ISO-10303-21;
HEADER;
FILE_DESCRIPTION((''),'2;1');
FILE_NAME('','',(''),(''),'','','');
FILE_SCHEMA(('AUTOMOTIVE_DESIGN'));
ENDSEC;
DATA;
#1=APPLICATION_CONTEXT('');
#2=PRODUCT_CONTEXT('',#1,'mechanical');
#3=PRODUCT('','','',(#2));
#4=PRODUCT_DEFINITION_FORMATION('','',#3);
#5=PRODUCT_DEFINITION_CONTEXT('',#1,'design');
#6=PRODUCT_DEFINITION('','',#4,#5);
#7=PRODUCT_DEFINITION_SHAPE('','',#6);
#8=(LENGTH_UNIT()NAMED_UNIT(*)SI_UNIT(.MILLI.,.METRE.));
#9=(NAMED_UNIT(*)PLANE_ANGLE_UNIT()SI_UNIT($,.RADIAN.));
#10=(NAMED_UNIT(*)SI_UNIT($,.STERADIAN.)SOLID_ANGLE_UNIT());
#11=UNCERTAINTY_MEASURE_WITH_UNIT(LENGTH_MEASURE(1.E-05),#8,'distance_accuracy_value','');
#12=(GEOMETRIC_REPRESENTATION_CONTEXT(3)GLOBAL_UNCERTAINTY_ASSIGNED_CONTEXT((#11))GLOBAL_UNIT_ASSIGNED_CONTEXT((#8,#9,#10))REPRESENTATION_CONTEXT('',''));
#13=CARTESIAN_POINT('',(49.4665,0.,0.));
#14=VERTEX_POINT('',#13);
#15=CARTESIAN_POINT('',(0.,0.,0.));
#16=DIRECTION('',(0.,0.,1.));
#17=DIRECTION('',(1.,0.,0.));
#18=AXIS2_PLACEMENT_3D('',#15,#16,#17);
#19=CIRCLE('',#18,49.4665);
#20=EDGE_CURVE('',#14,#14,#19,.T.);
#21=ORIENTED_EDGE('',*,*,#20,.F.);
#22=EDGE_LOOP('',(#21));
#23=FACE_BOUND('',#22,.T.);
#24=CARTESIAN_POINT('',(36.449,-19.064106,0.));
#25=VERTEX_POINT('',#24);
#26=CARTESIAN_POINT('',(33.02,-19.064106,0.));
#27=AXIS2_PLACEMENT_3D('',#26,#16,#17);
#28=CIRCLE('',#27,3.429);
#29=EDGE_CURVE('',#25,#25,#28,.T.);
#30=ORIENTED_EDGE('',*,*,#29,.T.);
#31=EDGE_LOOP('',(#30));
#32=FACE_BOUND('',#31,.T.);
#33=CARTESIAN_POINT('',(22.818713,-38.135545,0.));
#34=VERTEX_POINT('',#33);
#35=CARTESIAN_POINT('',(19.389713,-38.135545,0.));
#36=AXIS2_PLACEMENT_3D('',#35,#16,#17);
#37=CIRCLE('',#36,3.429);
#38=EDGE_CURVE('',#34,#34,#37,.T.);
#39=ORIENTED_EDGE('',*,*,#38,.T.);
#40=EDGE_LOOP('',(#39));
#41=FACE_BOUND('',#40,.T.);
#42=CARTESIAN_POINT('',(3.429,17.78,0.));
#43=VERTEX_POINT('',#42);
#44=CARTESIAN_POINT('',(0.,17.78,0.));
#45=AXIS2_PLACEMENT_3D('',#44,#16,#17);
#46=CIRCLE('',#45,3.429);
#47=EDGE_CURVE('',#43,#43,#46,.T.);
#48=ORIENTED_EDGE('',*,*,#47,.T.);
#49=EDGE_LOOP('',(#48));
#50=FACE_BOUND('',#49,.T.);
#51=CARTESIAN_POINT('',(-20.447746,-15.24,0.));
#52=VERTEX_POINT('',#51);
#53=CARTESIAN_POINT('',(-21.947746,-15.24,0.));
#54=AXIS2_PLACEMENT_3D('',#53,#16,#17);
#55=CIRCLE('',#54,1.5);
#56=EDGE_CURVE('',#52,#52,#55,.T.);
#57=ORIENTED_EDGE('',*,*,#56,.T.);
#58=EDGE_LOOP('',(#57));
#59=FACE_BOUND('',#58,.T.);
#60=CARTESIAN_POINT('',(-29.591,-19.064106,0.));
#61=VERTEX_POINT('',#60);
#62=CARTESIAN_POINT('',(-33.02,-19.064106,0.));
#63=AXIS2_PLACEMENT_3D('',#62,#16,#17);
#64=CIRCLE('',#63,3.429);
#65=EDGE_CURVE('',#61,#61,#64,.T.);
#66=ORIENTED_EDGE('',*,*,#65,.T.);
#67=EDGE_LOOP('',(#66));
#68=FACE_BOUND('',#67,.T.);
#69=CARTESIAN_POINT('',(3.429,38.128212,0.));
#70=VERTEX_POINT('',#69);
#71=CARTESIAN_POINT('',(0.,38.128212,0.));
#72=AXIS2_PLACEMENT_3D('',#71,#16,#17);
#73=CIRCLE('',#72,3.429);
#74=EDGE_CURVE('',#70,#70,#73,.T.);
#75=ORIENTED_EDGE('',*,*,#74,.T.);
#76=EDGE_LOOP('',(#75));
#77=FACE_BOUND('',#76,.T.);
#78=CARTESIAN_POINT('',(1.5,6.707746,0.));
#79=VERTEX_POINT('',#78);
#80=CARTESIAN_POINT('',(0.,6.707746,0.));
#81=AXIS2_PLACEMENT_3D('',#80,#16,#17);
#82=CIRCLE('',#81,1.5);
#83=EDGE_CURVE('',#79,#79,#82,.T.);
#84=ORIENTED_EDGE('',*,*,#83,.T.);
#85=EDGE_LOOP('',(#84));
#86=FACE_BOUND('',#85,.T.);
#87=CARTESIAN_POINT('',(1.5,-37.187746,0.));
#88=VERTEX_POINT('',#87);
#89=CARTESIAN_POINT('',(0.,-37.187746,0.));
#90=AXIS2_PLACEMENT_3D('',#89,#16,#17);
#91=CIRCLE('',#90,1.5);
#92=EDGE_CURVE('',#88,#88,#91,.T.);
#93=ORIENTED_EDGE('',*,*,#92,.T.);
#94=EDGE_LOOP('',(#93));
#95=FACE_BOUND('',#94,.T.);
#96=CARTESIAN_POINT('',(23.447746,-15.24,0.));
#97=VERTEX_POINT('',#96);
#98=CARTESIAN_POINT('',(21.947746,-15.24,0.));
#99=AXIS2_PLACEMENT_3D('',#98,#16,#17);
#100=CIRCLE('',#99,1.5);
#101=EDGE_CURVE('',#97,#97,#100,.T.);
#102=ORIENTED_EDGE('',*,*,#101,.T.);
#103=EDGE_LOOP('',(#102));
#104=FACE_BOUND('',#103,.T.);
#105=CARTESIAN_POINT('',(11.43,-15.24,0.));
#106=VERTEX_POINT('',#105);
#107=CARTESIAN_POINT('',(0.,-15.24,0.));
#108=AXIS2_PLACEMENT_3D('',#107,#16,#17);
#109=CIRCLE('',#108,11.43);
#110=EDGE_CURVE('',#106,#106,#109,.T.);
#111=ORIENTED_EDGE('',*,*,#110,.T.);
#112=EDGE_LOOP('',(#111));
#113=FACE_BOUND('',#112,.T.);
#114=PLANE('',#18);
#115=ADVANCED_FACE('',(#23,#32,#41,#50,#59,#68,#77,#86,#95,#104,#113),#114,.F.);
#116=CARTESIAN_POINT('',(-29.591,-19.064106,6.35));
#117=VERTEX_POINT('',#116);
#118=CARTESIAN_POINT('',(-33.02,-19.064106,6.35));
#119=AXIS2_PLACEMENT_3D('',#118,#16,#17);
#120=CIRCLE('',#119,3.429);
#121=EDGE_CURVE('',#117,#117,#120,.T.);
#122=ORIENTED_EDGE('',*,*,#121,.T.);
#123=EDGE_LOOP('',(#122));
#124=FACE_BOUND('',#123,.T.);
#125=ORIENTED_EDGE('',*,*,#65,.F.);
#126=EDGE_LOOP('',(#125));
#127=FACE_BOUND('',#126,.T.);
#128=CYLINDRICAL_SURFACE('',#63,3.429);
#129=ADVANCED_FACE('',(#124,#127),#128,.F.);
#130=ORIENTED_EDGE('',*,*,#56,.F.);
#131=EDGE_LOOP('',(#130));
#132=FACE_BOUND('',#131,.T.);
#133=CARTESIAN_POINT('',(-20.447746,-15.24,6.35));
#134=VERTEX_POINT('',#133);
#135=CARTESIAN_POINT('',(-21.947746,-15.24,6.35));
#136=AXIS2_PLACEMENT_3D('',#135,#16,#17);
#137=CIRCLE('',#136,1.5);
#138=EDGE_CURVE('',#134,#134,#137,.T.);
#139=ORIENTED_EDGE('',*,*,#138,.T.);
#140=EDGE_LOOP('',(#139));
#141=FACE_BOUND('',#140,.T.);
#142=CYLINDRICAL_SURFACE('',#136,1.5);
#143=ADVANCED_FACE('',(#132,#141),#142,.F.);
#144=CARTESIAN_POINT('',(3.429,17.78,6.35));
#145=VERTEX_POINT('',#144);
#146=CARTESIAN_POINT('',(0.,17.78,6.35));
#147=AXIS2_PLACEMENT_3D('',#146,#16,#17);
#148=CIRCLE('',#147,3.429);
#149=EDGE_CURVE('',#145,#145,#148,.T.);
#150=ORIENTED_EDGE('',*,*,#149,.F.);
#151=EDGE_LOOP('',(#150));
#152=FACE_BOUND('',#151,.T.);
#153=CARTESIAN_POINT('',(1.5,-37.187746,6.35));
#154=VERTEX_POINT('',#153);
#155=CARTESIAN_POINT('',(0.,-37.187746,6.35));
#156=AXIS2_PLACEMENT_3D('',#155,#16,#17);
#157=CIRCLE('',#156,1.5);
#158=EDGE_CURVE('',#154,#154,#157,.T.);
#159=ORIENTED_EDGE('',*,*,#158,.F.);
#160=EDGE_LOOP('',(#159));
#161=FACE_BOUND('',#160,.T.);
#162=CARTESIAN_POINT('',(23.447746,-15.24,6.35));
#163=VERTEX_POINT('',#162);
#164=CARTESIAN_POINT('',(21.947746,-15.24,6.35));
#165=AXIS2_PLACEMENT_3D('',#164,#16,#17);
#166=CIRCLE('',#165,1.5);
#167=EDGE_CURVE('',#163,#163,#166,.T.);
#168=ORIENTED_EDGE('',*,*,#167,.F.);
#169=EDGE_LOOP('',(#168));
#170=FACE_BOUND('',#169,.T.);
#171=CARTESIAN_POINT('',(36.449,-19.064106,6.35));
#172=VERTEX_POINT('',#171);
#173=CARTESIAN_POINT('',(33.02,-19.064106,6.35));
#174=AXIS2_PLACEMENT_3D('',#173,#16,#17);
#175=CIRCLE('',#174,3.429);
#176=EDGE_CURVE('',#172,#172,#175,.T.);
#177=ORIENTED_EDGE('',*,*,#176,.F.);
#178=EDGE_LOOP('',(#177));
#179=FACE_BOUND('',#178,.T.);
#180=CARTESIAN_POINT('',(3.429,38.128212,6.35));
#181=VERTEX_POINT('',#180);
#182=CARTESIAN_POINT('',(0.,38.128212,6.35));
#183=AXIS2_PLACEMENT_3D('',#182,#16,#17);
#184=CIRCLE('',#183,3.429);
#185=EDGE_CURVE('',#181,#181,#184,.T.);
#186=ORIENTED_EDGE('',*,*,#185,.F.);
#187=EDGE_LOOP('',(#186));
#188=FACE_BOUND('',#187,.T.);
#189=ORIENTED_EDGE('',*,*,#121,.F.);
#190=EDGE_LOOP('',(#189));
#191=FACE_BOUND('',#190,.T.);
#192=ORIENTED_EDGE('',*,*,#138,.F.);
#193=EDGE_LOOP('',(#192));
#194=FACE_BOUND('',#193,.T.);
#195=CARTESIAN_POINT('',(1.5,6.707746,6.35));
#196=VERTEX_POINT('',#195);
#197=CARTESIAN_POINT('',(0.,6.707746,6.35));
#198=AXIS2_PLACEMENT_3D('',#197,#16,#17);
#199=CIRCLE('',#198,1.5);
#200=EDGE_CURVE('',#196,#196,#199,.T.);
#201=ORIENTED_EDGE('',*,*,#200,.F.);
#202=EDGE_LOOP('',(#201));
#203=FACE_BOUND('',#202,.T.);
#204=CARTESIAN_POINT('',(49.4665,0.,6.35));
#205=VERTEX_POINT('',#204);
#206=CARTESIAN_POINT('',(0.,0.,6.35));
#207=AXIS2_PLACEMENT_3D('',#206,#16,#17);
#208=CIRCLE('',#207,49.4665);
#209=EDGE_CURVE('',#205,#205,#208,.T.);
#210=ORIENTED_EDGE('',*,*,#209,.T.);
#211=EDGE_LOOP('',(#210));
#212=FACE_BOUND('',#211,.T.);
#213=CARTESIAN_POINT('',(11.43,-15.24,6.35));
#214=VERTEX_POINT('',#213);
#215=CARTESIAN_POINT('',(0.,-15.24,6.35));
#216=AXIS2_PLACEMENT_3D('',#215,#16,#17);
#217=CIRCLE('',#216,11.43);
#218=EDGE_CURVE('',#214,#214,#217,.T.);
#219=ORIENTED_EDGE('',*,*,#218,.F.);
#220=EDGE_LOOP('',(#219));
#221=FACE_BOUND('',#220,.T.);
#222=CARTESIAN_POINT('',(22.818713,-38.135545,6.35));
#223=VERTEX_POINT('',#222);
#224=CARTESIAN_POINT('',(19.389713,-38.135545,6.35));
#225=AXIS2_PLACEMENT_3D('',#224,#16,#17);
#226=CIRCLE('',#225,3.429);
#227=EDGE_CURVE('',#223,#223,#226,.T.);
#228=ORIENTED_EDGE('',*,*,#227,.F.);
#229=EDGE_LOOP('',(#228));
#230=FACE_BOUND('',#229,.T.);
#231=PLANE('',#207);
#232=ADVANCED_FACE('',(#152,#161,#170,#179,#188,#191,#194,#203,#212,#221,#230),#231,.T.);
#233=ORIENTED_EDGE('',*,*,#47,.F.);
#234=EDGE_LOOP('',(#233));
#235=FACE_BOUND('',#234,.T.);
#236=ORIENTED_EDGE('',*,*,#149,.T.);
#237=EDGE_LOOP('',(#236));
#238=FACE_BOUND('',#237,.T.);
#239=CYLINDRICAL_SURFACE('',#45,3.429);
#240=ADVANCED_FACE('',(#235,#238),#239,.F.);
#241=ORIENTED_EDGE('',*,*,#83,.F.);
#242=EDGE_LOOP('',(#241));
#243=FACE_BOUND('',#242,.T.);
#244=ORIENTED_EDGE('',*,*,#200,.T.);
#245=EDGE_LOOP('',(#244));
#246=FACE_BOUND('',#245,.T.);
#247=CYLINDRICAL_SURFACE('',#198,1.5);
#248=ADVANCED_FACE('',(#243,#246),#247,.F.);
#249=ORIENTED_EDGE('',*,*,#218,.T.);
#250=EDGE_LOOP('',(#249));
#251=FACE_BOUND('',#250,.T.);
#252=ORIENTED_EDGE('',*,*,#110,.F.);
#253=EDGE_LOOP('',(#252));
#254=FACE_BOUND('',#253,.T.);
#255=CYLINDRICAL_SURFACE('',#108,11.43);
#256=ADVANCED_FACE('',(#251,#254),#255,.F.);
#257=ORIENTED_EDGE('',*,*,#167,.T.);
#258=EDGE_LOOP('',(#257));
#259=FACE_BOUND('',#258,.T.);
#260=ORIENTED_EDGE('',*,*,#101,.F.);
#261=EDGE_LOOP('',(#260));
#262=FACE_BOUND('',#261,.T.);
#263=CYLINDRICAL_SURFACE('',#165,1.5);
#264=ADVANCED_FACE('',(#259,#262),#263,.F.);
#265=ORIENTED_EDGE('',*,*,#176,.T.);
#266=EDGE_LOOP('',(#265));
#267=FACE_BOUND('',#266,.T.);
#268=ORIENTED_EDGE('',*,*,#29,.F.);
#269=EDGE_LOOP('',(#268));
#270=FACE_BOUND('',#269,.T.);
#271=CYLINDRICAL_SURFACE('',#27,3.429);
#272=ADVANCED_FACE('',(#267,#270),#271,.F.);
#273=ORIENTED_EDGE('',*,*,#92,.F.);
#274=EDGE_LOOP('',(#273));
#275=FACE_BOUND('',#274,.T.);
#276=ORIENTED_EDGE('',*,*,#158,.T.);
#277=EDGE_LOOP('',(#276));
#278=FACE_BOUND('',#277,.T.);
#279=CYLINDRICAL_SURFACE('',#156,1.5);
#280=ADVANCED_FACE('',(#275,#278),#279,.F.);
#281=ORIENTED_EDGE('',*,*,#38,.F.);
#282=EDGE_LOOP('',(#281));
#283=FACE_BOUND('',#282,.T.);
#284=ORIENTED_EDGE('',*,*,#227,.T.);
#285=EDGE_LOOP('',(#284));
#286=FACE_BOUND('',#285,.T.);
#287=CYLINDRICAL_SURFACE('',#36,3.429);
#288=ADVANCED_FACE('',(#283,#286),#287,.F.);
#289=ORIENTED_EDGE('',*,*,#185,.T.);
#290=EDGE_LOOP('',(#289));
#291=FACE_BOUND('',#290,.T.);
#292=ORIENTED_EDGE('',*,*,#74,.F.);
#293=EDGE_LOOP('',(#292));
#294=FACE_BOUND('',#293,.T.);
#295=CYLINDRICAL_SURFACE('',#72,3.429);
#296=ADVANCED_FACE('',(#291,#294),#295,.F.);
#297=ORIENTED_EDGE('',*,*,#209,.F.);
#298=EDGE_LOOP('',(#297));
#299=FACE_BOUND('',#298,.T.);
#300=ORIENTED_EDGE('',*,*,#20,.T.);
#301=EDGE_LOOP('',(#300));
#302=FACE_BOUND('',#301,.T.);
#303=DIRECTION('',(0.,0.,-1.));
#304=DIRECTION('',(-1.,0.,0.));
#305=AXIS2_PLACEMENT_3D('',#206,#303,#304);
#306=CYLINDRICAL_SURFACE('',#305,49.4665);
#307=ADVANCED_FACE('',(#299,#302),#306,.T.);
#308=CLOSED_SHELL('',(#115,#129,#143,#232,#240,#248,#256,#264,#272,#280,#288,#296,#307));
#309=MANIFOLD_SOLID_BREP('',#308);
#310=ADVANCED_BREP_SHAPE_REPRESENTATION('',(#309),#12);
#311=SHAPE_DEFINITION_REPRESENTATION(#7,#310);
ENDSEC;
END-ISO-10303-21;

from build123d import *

# Parameters (mm, degrees)
SKETCH1_R                        = 49.4665
BOSS_EXTRUDE1_DEPTH              = 6.35
M3_SCREW_HOLE_3_0MM_DOWEL_HOLE_D = 3
SKETCH6_R                        = 3.429
CUT_EXTRUDE2_DEPTH               = 7.35
SKETCH7_R                        = 11.43
CUT_EXTRUDE3_DEPTH               = 7.35
SKETCH5_R                        = 3.429
CUT_EXTRUDE4_DEPTH               = 7.35
SKETCH11_R                       = 3.429
CUT_EXTRUDE7_DEPTH               = 7.35


with BuildPart() as part:
    # Sketch1 → Boss-Extrude1 (new body)
    with BuildSketch(Plane.XY):
        Circle(SKETCH1_R)
    extrude(amount=BOSS_EXTRUDE1_DEPTH)

    # M3 Screw Hole - Ø3.0mm Dowel Hole (through all)
    with Locations(Plane.XY.offset(6.35)):
        with Locations((0, 6.70774596), (-21.94774596, -15.24), (0, -37.18774596), (21.94774596, -15.24)):
            Hole(M3_SCREW_HOLE_3_0MM_DOWEL_HOLE_D / 2)

    # Sketch6 → Cut-Extrude2 (cut, through all)
    with BuildSketch(Plane.XY.offset(6.35)):
        with Locations((0, 38.128211777)):
            Circle(SKETCH6_R)
        with Locations((-33.02, -19.064105889)):
            Circle(SKETCH6_R)
        with Locations((33.02, -19.064105889)):
            Circle(SKETCH6_R)
    extrude(amount=-CUT_EXTRUDE2_DEPTH, mode=Mode.SUBTRACT)

    # Sketch7 → Cut-Extrude3 (cut, through all)
    with BuildSketch(Plane.XY.offset(6.35)):
        with Locations((0, -15.24)):
            Circle(SKETCH7_R)
    extrude(amount=-CUT_EXTRUDE3_DEPTH, mode=Mode.SUBTRACT)

    # Sketch5 → Cut-Extrude4 (cut, through all)
    with BuildSketch(Plane.XY.offset(6.35)):
        with Locations((0, 17.78)):
            Circle(SKETCH5_R)
    extrude(amount=-CUT_EXTRUDE4_DEPTH, mode=Mode.SUBTRACT)

    # Sketch11 → Cut-Extrude7 (cut, through all)
    with BuildSketch(Plane.XY.offset(6.35)):
        with Locations((19.38971276, -38.135544915)):
            Circle(SKETCH11_R)
    extrude(amount=-CUT_EXTRUDE7_DEPTH, mode=Mode.SUBTRACT)


solid = part.part
